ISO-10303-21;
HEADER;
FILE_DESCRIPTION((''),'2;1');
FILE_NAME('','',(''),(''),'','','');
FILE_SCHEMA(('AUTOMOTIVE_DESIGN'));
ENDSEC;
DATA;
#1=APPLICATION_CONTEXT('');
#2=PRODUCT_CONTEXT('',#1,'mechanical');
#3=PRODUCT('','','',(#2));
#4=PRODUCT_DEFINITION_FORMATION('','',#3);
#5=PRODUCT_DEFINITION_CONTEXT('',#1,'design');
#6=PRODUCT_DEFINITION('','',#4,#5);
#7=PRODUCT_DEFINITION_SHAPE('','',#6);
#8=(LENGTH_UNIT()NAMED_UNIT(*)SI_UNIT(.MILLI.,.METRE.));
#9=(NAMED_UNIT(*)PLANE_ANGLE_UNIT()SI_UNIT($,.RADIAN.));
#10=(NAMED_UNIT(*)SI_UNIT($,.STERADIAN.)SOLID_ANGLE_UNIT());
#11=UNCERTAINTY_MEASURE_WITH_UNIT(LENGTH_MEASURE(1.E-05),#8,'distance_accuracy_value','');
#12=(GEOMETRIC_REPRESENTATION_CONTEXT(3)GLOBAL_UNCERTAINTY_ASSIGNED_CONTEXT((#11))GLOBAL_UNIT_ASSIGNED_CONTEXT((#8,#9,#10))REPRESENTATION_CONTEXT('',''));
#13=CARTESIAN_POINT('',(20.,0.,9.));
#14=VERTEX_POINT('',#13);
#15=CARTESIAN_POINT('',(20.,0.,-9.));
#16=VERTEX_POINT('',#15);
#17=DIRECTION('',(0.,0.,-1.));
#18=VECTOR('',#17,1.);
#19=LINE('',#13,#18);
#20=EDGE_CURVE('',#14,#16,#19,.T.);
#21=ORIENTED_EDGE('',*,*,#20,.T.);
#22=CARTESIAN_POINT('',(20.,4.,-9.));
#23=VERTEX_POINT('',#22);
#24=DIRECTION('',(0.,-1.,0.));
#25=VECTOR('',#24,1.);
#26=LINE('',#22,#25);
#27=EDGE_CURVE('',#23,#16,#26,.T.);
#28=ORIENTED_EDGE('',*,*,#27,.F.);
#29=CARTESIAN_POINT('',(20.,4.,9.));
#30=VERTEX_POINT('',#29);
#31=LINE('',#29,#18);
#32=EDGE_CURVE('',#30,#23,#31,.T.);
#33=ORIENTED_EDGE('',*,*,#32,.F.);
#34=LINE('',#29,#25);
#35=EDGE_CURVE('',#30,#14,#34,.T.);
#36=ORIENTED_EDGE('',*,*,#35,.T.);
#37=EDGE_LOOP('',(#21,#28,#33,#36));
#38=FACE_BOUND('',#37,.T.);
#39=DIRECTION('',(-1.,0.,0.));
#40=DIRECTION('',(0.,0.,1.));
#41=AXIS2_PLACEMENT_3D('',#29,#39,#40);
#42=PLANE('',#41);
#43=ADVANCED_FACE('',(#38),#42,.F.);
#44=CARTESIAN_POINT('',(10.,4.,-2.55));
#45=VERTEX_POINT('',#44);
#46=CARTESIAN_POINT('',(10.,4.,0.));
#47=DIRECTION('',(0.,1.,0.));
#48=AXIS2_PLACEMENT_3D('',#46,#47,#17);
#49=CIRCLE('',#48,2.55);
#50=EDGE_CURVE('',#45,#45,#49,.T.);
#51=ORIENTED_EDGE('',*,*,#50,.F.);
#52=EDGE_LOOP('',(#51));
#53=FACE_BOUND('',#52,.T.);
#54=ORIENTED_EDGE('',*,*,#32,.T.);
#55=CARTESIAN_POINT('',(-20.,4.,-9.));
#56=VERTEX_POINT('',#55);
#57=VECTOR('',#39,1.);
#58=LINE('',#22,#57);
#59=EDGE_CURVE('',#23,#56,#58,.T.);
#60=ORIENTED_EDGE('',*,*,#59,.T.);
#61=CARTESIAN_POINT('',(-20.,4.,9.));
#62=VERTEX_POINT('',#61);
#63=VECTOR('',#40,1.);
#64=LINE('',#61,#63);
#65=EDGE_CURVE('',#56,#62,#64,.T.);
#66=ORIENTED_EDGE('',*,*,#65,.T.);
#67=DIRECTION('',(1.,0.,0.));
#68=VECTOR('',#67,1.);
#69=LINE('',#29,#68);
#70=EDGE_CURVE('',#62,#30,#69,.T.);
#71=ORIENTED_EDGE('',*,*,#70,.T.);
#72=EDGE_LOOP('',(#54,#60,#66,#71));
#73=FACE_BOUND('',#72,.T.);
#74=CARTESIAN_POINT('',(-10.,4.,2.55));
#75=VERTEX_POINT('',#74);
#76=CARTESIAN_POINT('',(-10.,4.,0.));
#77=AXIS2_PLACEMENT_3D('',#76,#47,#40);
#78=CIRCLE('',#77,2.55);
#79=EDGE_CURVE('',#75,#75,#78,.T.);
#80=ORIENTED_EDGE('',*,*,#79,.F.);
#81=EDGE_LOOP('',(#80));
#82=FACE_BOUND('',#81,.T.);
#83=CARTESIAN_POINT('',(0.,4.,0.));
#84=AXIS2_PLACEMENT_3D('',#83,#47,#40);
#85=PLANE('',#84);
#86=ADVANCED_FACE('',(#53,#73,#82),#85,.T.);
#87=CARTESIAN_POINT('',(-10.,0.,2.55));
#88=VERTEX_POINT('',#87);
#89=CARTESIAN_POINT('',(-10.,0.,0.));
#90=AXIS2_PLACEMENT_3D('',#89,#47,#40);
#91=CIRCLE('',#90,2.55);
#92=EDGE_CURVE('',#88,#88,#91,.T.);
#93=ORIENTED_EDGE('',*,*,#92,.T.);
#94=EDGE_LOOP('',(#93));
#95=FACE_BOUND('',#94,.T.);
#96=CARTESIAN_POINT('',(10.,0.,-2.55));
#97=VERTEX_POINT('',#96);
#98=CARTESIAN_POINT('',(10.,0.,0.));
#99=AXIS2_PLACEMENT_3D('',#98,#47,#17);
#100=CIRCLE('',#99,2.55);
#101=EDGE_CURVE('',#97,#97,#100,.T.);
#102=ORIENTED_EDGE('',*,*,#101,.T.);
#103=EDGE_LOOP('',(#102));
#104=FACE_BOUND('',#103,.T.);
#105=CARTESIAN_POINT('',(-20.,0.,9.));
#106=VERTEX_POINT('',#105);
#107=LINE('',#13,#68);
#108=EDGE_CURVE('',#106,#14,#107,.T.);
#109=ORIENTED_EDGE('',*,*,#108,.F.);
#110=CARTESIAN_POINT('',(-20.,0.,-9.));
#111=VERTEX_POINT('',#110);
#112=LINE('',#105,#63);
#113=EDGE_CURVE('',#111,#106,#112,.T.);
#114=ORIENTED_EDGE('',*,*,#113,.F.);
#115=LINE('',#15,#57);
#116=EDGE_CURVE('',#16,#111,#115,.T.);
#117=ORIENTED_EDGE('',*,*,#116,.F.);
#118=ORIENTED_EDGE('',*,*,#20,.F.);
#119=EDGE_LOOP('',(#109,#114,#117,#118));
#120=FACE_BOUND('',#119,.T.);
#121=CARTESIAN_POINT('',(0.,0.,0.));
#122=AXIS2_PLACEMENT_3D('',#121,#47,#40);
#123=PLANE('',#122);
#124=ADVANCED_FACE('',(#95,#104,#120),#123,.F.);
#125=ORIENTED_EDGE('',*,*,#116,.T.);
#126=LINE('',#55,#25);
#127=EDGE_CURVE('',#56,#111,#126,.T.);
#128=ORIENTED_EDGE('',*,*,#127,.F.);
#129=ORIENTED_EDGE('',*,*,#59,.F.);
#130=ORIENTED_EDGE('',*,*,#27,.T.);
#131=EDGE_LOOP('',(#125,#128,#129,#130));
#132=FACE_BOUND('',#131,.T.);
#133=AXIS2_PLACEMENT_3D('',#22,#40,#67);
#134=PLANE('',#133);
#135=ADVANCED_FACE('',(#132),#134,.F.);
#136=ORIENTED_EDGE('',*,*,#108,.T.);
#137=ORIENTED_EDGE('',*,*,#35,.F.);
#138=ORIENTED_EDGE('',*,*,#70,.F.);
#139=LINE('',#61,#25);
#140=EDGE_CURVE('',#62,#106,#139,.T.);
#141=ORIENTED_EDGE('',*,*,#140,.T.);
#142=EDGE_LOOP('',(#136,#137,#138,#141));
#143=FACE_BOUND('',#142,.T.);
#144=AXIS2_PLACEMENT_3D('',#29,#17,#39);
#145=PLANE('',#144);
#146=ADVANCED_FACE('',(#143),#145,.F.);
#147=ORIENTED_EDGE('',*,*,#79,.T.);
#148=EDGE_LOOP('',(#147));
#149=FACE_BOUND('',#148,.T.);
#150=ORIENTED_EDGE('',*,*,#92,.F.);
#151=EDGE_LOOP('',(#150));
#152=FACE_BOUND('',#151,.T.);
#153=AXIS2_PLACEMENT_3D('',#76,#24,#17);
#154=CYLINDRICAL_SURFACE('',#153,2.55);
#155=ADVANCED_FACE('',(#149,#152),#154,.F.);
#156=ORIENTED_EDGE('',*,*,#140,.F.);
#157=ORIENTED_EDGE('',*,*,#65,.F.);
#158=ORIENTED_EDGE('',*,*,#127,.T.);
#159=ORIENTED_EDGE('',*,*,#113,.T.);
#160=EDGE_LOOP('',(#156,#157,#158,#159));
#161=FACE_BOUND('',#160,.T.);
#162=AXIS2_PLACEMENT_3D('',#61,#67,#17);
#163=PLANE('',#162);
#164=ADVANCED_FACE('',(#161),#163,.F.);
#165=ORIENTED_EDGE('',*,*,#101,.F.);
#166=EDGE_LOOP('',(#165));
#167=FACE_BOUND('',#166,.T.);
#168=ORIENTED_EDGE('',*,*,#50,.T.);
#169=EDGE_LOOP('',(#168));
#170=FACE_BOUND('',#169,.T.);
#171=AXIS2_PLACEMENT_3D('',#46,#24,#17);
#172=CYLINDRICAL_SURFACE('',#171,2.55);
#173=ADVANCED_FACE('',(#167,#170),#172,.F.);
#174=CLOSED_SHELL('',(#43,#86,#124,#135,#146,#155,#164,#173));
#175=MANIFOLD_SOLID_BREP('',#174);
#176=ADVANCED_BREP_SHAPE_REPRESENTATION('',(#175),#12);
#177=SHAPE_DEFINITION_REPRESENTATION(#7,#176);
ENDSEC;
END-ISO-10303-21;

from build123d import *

# Parameters (mm, degrees)
SKETCH1_W           = 40
SKETCH1_H           = 18
SKETCH1_R           = 2.55
BOSS_EXTRUDE1_DEPTH = 4


with BuildPart() as part:
    # Sketch1 → Boss-Extrude1 (new body)
    with BuildSketch(Plane(origin=(0, 0, 0), x_dir=(1, 0, 0), z_dir=(0, 1, 0))):
        Rectangle(SKETCH1_W, SKETCH1_H)
        with Locations((-10, 0)):
            Circle(SKETCH1_R, mode=Mode.SUBTRACT)
        with Locations((10, 0)):
            Circle(SKETCH1_R, mode=Mode.SUBTRACT)
    extrude(amount=BOSS_EXTRUDE1_DEPTH)


solid = part.part
